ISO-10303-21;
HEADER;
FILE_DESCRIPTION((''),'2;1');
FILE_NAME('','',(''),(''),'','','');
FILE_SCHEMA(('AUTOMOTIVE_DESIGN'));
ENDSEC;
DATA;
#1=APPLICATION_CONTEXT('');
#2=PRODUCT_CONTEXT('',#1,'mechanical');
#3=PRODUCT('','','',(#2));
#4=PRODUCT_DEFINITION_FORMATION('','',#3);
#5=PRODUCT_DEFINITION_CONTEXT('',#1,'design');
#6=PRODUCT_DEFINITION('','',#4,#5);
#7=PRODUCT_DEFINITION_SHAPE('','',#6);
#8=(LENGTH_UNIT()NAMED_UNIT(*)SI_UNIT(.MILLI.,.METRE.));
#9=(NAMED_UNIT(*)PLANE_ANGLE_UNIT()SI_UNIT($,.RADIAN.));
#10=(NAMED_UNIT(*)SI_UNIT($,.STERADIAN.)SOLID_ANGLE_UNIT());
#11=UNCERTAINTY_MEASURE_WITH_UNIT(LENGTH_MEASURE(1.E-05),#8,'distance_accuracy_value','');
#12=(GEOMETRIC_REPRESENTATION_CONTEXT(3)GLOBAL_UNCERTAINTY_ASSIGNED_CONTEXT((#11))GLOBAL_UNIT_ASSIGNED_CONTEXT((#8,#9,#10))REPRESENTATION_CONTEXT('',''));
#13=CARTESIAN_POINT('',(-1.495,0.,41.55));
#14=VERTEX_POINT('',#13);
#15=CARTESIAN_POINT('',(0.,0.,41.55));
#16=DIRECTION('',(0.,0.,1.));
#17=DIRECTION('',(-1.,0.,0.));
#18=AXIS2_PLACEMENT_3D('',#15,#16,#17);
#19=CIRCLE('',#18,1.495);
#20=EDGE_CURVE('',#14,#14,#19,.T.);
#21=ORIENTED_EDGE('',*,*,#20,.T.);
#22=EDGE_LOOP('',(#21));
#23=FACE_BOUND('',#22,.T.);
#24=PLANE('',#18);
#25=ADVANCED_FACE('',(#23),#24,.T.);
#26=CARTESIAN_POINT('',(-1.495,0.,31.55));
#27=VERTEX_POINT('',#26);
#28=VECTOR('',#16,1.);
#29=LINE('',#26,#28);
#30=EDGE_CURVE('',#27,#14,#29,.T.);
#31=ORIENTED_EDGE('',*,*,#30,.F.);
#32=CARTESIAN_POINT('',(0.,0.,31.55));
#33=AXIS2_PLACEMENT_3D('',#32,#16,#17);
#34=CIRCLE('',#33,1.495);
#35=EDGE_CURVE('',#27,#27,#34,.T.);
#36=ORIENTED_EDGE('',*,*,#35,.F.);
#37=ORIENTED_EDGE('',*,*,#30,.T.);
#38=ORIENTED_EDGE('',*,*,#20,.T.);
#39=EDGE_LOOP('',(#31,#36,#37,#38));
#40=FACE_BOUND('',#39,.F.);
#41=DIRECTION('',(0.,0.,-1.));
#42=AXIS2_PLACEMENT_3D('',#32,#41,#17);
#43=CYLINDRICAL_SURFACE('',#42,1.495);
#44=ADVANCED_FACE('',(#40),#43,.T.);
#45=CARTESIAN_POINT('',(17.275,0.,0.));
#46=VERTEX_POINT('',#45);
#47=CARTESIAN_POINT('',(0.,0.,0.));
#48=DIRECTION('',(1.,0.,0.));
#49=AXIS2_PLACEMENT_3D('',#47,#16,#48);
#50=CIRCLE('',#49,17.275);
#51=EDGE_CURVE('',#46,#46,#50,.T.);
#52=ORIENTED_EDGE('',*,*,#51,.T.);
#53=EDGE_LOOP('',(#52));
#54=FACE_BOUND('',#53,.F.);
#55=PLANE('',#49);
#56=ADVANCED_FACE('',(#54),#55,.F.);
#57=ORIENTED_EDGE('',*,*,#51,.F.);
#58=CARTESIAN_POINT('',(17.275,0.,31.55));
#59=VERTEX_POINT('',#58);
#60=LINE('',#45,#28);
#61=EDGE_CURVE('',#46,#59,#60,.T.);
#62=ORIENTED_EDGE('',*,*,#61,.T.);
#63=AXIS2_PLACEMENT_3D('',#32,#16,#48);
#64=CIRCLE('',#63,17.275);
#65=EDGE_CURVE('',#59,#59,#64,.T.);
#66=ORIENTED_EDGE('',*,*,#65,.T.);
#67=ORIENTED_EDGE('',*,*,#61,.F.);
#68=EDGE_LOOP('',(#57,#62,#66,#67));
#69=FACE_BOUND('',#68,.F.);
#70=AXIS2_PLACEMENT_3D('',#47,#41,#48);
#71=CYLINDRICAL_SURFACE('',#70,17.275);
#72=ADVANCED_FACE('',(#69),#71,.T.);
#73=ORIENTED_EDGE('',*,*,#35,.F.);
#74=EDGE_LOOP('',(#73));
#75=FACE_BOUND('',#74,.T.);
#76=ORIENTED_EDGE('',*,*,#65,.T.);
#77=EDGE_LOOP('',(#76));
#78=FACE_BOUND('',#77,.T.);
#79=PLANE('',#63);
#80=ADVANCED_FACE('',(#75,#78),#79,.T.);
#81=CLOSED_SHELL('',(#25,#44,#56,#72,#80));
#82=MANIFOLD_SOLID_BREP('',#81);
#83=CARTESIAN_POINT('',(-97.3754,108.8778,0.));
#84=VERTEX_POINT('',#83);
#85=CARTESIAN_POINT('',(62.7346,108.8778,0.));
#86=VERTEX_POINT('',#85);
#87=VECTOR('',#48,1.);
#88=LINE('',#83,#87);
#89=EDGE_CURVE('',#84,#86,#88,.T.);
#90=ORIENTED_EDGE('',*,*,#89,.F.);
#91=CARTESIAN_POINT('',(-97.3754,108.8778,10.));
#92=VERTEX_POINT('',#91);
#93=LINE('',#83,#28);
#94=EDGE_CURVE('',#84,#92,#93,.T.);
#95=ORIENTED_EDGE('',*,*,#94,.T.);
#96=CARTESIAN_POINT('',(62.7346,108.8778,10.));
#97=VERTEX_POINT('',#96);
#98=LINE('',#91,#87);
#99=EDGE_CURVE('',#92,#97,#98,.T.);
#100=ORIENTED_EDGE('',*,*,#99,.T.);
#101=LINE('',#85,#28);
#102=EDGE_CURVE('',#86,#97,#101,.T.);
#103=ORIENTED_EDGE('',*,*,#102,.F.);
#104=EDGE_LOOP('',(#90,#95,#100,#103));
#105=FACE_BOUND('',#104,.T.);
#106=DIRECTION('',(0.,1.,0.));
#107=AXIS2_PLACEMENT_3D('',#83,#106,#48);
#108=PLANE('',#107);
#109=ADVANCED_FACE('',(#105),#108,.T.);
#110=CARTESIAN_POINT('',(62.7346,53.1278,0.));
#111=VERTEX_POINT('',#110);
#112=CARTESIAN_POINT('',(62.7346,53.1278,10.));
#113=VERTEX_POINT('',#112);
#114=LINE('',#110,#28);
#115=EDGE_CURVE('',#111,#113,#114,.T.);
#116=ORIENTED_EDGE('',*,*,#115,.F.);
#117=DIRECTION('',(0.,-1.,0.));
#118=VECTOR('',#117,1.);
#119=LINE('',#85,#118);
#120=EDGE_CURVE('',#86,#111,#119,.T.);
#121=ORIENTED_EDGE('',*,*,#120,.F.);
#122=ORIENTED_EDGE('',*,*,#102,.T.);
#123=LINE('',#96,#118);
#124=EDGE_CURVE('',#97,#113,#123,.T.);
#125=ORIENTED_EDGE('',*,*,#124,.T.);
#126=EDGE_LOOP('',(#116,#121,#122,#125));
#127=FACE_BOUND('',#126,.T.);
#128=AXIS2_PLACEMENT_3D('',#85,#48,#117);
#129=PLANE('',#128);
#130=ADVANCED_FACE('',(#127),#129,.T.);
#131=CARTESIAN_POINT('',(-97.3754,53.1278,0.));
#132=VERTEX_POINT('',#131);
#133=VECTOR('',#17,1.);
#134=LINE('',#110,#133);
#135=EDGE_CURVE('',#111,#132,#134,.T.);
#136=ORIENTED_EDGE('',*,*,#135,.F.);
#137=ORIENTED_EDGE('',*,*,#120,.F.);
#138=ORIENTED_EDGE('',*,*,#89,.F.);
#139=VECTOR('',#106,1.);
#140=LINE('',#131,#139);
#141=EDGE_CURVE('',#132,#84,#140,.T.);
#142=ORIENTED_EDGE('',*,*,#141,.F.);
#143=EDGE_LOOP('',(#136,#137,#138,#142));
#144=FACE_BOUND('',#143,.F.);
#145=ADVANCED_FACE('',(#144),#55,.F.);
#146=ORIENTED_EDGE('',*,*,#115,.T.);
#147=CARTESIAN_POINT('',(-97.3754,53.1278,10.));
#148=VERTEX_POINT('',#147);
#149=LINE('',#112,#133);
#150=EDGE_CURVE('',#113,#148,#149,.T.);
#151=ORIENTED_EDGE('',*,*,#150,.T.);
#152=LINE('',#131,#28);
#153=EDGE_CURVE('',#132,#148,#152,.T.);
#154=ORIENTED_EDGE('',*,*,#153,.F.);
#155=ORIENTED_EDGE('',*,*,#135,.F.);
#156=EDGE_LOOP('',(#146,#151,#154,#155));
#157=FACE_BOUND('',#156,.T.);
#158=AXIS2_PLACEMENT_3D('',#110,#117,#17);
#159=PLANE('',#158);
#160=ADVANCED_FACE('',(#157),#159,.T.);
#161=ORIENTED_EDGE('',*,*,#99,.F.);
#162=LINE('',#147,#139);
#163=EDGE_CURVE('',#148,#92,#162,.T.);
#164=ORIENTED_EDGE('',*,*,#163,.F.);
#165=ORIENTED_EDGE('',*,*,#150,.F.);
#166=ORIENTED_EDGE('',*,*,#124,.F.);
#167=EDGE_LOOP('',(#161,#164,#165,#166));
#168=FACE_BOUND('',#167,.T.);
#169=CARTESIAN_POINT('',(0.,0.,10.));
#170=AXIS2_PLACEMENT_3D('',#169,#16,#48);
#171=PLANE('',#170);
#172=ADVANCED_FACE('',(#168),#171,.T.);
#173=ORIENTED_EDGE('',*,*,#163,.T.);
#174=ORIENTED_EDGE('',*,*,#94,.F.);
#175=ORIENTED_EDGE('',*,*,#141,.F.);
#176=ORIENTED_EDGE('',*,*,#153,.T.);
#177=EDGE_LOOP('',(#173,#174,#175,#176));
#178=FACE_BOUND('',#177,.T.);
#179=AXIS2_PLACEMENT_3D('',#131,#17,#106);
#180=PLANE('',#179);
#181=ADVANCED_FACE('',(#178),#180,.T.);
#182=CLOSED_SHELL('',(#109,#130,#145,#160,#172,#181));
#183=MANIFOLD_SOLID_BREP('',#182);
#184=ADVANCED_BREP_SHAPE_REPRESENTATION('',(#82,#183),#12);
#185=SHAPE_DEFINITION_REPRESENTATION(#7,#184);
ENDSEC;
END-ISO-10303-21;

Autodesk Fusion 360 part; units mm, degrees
sketch "Sketch1" plane through (0, 0, 0) normal (0, 0, 1) x (1, 0, 0)
  circle A0 centre (0, 0) radius 17.275
  dimension "d1" = 34.55
extrude "Extrude1" add sketch "Sketch1" along normal blind 31.55 makes body 1
sketch "Sketch2" plane through (0, 0, 31.55) normal (0, 0, 1) x (-1, 0, 0)
  circle A0 centre (0, 0) radius 17.275
  circle A1 centre (0, 0) radius 1.495
  dimension "d4" = 2.99
extrude "Extrude2" add sketch "Sketch2" along normal blind 10 contours A1 bodies 1
sketch "Sketch3" plane through (0, 0, 0) normal (0, 0, 1) x (1, 0, 0)
  line L0 (62.7346, 53.1278) -> (-97.3754, 53.1278)
  line L1 (-97.3754, 53.1278) -> (-97.3754, 108.8778)
  line L2 (-97.3754, 108.8778) -> (62.7346, 108.8778)
  line L3 (62.7346, 108.8778) -> (62.7346, 53.1278)
  dimension "d7" = 160.11
  dimension "d8" = 55.75
extrude "Extrude3" add sketch "Sketch3" along normal blind 10 separate body makes body 2
